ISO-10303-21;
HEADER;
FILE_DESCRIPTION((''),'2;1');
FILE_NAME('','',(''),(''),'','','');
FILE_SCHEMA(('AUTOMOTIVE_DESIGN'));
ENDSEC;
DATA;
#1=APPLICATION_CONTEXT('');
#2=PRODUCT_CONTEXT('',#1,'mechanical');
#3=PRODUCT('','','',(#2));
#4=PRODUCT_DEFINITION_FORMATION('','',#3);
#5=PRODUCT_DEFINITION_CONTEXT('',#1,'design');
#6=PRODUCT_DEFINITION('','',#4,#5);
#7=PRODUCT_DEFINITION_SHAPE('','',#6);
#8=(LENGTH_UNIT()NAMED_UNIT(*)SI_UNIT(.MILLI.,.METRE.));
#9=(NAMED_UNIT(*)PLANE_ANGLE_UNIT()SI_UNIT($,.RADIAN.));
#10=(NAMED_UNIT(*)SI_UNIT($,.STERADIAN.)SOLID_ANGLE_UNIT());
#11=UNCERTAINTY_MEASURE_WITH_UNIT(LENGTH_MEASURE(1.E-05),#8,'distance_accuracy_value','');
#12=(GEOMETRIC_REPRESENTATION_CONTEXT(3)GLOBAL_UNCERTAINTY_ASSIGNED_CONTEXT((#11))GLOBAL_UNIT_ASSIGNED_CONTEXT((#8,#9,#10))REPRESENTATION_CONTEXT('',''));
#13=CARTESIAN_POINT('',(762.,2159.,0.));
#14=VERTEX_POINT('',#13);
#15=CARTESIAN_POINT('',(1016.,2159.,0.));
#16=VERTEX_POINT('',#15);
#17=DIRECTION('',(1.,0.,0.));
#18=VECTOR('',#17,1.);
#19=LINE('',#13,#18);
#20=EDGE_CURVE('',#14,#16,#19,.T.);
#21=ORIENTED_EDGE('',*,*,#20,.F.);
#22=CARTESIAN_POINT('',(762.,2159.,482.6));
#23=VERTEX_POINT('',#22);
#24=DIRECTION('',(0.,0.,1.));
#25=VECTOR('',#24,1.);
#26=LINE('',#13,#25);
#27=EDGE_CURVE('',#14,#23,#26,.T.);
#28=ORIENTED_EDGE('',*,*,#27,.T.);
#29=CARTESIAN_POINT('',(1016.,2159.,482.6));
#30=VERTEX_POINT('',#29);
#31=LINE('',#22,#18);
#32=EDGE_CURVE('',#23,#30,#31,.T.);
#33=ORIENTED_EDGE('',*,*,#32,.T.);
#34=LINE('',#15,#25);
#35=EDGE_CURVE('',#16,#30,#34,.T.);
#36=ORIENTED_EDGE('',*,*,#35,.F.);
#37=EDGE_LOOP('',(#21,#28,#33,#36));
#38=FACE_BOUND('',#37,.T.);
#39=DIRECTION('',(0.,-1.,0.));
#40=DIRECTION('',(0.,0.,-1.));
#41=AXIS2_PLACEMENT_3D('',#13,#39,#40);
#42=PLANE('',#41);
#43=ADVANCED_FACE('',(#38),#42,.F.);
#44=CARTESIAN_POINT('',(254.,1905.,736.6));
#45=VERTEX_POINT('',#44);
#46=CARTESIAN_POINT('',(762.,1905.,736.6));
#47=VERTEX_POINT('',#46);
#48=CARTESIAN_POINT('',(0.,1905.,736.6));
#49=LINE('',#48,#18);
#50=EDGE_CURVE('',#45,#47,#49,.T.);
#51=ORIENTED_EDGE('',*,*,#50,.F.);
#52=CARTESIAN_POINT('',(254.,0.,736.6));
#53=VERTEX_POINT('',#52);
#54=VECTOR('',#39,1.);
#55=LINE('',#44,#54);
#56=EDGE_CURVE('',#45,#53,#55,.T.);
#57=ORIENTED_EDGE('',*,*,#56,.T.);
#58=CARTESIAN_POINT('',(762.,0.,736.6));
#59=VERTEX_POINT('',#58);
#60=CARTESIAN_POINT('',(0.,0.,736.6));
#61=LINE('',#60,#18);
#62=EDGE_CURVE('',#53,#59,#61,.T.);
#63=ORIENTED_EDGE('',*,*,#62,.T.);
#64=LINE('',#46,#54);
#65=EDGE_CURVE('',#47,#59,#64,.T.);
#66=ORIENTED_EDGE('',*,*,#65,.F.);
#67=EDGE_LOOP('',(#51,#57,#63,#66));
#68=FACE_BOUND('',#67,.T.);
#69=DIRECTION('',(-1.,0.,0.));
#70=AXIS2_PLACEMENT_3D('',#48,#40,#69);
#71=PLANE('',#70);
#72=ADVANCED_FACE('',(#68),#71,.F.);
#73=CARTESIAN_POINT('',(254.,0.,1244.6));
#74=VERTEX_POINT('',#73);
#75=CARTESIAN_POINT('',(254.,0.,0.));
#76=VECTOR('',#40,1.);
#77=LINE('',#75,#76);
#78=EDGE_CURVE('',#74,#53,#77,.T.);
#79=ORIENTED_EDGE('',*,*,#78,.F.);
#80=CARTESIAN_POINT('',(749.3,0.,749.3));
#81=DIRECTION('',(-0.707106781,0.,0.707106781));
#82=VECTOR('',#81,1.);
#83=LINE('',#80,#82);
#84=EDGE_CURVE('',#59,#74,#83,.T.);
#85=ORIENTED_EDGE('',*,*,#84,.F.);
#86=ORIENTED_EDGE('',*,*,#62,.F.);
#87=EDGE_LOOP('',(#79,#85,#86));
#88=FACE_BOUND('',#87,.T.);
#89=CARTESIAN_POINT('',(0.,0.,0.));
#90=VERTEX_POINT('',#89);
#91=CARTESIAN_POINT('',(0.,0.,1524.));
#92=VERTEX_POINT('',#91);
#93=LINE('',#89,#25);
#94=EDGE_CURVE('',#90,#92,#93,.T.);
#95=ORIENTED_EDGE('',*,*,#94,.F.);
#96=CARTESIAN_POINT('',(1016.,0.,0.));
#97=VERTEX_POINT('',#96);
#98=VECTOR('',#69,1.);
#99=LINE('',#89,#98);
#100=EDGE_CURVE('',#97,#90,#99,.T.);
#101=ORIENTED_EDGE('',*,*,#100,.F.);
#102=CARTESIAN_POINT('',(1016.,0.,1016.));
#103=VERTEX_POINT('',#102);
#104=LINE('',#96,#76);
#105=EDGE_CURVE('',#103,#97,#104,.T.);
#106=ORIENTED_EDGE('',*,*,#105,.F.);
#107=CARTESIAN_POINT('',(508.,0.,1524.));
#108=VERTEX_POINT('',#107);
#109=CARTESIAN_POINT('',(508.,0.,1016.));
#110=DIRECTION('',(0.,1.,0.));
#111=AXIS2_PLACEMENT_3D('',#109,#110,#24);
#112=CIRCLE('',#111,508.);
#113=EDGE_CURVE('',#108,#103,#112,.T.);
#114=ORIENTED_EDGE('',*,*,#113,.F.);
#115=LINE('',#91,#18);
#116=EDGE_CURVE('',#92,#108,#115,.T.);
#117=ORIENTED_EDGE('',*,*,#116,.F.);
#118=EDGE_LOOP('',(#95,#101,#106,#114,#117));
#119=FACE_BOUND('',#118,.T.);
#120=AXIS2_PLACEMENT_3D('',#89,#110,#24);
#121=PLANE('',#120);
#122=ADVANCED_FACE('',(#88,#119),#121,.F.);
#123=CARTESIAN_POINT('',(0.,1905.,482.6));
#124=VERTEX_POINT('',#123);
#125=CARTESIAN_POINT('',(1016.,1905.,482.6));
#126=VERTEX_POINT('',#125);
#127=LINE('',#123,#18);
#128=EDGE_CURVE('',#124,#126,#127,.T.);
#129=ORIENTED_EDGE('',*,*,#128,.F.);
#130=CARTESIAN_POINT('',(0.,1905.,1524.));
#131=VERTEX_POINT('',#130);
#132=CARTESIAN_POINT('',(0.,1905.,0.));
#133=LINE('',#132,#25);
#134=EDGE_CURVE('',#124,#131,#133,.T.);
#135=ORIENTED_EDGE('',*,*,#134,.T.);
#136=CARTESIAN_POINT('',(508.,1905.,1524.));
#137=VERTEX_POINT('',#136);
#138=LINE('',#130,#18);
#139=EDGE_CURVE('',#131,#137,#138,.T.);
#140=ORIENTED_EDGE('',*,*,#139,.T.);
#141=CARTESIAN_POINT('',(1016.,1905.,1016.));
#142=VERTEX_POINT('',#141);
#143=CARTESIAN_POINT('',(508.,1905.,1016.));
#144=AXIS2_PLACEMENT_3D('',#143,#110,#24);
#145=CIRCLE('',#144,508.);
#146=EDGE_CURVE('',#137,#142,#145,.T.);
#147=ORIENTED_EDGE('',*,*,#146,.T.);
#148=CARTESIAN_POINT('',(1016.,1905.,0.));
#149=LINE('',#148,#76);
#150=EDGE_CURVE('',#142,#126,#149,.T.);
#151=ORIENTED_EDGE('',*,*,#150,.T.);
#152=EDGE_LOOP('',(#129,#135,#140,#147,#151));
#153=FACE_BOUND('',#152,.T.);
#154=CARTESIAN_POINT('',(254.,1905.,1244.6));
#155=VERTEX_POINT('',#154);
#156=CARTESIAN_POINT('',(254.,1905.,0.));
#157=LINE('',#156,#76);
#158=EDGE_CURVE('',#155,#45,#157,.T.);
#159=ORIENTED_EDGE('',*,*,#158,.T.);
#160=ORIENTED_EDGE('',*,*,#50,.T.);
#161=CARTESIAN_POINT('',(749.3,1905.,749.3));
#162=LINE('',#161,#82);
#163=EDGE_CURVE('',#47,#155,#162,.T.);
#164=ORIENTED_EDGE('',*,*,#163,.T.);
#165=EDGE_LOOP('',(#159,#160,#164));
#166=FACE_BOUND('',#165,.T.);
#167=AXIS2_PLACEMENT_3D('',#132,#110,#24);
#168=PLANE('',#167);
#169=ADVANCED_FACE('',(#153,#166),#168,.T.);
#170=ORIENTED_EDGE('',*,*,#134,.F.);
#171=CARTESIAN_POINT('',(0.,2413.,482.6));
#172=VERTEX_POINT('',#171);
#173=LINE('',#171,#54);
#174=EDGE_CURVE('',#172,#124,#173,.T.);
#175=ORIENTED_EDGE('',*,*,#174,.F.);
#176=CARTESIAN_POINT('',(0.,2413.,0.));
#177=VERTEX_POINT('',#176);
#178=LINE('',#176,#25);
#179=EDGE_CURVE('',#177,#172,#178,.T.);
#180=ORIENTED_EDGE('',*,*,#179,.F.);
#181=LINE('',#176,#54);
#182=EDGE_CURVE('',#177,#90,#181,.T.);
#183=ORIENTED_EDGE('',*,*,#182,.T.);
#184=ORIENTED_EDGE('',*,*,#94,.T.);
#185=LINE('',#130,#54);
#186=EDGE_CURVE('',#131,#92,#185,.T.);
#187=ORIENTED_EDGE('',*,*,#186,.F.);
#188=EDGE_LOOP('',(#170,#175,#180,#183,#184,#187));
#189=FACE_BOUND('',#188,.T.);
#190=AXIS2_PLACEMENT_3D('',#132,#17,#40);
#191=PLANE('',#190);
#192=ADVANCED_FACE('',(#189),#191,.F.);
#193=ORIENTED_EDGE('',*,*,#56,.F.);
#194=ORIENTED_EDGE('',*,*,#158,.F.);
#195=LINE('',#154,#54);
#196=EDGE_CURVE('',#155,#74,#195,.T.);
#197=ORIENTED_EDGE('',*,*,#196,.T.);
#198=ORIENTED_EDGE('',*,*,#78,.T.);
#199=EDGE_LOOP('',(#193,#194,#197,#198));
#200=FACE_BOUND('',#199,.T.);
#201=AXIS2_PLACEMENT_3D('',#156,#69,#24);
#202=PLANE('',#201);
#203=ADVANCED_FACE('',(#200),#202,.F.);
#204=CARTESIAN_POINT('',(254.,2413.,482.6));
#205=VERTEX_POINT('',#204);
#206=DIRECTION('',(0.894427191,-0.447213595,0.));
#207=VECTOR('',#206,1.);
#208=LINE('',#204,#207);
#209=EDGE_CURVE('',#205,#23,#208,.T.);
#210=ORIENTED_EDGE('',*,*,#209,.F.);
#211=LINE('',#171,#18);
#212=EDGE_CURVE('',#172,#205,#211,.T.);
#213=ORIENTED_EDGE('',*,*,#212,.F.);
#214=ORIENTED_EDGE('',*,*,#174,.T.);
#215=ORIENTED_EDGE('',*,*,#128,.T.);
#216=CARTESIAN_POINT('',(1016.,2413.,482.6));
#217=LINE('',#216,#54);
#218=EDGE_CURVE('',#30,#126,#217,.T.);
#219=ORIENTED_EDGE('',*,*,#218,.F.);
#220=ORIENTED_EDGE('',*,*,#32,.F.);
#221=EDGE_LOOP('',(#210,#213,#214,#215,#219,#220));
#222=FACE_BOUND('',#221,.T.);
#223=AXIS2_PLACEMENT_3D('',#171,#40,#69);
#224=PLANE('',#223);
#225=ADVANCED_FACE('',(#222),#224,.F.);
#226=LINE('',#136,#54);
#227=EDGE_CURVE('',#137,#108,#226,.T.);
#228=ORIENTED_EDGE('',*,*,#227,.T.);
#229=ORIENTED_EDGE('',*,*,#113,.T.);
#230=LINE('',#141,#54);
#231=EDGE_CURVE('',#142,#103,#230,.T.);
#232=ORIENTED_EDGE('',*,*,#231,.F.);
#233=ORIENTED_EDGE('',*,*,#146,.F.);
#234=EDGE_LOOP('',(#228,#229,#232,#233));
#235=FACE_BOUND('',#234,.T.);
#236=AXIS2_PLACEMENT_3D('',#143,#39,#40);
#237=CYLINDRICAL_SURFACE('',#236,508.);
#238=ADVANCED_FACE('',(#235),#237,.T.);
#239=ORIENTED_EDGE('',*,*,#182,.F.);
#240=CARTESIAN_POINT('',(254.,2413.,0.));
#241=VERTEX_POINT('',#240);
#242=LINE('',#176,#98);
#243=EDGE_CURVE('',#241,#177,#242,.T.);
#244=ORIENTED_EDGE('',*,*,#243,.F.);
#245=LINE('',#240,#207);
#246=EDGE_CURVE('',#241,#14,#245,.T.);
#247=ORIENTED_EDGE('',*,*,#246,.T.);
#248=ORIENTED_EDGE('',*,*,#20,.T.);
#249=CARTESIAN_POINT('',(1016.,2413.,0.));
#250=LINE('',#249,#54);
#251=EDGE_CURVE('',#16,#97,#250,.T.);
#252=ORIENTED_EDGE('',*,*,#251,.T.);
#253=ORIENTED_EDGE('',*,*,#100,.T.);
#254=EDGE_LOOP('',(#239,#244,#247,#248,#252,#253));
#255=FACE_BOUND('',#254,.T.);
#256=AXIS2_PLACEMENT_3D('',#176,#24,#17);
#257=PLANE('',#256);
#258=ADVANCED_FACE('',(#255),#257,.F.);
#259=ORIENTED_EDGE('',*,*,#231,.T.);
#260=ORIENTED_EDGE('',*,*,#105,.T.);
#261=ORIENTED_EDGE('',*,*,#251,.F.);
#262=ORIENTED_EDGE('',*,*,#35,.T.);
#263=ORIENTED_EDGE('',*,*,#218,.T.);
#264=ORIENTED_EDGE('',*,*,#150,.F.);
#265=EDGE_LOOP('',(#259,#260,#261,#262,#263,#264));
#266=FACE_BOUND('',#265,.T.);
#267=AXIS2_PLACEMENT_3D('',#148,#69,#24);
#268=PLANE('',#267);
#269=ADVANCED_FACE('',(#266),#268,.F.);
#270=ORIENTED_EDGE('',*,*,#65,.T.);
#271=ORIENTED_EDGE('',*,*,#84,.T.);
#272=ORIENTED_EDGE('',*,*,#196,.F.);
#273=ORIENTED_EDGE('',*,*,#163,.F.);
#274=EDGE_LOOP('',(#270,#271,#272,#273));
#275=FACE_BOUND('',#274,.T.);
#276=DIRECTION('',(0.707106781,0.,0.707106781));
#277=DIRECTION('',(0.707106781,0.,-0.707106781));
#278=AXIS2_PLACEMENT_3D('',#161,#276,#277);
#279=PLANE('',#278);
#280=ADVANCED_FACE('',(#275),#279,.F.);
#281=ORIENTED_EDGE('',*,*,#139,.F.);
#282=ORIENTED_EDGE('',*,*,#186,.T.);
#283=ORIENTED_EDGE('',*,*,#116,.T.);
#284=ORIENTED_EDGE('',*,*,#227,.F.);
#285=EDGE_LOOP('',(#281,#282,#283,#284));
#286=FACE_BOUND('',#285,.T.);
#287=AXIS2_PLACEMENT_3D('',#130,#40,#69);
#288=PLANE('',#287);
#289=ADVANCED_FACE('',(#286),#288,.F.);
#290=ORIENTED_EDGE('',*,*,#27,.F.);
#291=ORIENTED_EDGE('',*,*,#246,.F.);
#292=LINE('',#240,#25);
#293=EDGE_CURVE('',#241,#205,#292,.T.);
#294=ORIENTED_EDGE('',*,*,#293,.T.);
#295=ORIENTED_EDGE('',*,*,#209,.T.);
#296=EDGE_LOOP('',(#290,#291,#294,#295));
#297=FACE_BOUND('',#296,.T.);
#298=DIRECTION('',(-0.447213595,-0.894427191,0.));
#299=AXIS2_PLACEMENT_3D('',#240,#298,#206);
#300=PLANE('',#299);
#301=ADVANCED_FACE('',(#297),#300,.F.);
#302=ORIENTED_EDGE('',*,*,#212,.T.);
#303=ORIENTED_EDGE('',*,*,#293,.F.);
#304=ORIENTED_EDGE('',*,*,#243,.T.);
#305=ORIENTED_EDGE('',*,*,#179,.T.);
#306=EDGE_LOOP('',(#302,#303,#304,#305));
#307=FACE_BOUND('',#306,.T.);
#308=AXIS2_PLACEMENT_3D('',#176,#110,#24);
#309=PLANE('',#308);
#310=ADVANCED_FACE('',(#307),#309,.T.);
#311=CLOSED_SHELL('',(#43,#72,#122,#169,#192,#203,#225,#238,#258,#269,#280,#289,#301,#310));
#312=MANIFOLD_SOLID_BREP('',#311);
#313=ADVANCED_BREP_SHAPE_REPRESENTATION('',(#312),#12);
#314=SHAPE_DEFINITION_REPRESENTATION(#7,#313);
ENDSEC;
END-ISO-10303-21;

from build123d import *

# Parameters (mm, degrees)
BOSS_EXTRUDE1_DEPTH = 1905
SKETCH1_3_W         = 1016
SKETCH1_3_H         = 482.6
BOSS_EXTRUDE2_DEPTH = 2413
CUT_EXTRUDE1_DEPTH  = 482.6


with BuildPart() as part:
    # Sketch1 → Boss-Extrude1 (new body)
    with BuildSketch(Plane(origin=(0, 0, 0), x_dir=(1, 0, 0), z_dir=(0, 1, 0))):
        with BuildLine():
            Line((1016, -482.6), (0, -482.6))
            Line((0, -482.6), (0, -1524))
            Line((0, -1524), (508, -1524))
            ThreePointArc((508, -1524), (867.210244843, -1375.210244843), (1016, -1016))
            Line((1016, -1016), (1016, -482.6))
        make_face()
        Polygon((254, -1244.6), (254, -736.6), (762, -736.6), align=None, mode=Mode.SUBTRACT)
    extrude(amount=BOSS_EXTRUDE1_DEPTH)

    # Sketch1<3> → Boss-Extrude2 (add)
    with BuildSketch(Plane(origin=(0, 0, 0), x_dir=(1, 0, 0), z_dir=(0, 1, 0))):
        with Locations((508, -241.3)):
            Rectangle(SKETCH1_3_W, SKETCH1_3_H)
    extrude(amount=BOSS_EXTRUDE2_DEPTH)

    # Sketch2 → Cut-Extrude1 (cut)
    with BuildSketch(Plane.XY.offset(482.6)):
        Polygon((254, 2413), (762, 2159), (1016, 2159), (1016, 2413), align=None)
    extrude(amount=-CUT_EXTRUDE1_DEPTH, mode=Mode.SUBTRACT)


solid = part.part
